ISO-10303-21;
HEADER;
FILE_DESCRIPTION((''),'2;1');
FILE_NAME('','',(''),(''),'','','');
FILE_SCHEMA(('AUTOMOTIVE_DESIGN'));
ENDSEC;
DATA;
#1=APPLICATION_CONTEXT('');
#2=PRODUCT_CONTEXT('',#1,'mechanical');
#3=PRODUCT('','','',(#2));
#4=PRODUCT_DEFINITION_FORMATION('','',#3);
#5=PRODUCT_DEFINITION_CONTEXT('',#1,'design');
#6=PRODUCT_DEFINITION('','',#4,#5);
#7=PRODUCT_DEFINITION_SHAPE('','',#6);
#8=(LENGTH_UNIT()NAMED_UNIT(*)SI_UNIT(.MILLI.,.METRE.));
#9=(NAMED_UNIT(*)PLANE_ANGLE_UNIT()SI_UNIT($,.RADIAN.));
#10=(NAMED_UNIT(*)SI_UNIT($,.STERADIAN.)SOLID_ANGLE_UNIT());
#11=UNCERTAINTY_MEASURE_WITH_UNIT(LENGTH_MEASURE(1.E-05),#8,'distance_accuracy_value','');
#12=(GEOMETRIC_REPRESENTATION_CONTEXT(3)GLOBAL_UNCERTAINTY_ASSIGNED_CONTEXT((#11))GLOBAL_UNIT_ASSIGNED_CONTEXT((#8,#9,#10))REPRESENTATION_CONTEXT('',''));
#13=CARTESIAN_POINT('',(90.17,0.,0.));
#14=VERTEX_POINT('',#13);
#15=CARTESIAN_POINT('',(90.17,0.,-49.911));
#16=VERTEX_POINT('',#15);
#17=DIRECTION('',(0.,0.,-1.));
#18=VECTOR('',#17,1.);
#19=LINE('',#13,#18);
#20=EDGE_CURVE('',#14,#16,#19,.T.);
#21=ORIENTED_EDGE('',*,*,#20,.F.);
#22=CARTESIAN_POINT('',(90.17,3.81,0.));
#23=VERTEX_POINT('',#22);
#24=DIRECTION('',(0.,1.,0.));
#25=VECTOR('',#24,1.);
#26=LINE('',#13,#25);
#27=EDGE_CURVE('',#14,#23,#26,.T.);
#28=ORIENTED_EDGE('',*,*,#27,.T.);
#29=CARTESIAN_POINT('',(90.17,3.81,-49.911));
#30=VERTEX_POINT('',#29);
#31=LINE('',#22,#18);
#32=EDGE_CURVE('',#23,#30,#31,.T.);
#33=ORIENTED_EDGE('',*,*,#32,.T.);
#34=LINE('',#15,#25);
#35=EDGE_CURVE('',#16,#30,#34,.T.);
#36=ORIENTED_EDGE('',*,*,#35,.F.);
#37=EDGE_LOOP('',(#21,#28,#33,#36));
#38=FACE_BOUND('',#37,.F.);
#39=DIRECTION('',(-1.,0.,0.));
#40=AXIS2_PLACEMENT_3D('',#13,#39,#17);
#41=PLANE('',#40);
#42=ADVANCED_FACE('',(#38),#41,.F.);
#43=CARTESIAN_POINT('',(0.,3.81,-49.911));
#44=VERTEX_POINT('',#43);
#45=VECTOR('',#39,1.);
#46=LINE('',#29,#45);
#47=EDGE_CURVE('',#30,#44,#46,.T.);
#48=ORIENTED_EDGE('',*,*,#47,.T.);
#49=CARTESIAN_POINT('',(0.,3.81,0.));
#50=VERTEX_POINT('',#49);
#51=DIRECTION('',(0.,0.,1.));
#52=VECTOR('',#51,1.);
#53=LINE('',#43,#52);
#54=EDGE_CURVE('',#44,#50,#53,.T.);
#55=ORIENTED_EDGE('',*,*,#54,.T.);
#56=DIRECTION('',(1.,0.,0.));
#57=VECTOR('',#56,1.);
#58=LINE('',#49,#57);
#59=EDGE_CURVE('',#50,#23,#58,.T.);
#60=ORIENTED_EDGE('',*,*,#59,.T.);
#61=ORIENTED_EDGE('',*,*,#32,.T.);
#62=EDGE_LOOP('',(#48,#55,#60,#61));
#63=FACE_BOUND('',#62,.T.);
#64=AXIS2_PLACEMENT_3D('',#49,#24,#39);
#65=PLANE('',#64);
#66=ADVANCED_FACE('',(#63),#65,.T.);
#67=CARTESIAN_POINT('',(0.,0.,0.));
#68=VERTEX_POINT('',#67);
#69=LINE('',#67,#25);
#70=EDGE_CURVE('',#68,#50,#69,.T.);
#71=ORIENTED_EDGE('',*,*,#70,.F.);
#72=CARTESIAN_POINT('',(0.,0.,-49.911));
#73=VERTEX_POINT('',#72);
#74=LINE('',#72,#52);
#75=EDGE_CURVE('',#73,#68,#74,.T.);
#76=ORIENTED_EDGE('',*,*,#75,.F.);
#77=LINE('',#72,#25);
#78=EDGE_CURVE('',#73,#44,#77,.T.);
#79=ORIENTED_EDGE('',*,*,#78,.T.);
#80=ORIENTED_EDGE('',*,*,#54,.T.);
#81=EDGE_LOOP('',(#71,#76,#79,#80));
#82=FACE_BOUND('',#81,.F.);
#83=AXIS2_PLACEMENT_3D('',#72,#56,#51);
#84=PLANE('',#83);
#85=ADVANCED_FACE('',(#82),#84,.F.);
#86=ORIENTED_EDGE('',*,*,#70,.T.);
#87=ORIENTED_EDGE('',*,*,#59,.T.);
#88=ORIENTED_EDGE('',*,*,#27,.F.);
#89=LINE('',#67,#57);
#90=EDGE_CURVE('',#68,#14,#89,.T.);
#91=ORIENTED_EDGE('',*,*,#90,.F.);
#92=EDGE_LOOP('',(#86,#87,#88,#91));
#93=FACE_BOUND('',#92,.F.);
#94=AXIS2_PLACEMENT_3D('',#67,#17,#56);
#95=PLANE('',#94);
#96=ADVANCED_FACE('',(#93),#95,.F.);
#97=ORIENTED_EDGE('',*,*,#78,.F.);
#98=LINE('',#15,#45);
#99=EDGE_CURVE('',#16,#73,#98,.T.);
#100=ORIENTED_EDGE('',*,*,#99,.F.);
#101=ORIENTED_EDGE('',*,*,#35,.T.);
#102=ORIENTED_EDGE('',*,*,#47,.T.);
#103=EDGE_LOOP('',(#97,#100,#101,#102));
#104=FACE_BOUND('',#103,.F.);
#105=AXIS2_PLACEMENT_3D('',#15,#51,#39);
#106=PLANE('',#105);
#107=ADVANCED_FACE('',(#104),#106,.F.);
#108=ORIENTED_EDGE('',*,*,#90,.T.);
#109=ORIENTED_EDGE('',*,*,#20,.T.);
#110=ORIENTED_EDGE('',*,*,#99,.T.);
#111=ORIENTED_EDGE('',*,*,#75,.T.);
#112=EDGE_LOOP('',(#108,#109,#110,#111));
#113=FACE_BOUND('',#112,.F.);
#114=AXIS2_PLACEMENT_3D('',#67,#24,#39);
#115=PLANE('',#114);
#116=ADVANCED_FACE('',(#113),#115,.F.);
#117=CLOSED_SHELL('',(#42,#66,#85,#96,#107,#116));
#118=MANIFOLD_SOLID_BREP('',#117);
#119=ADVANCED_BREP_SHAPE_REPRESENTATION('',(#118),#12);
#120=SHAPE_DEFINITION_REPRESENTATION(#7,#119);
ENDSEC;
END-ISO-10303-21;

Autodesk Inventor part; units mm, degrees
ref_plane "YZ Plane" through (0, 0, 0) normal (1, 0, 0) x (0, 1, 0)
ref_plane "XZ Plane" through (0, 0, 0) normal (0, 1, 0) x (-1, 0, 0)
sketch "Sketch1" plane through (0, 0, 0) normal (0, 1, 0) x (-1, 0, 0)
  line L0 (0, 0) -> (-90.17, 0)
  line L1 (-90.17, 0) -> (-90.17, -49.911)
  line L2 (-90.17, -49.911) -> (0, -49.911)
  line L3 (0, -49.911) -> (0, 0)
  dimension "d0" = 90.17
  dimension "d1" = 49.911
extrude "Extrusion1" add sketch "Sketch1" along normal blind 3.81
ref_plane "Midplane" through (45.085, 0, 0) normal (1, 0, 0) x (0, 0, -1)
properties part number "Lipo Charger Circuit"
